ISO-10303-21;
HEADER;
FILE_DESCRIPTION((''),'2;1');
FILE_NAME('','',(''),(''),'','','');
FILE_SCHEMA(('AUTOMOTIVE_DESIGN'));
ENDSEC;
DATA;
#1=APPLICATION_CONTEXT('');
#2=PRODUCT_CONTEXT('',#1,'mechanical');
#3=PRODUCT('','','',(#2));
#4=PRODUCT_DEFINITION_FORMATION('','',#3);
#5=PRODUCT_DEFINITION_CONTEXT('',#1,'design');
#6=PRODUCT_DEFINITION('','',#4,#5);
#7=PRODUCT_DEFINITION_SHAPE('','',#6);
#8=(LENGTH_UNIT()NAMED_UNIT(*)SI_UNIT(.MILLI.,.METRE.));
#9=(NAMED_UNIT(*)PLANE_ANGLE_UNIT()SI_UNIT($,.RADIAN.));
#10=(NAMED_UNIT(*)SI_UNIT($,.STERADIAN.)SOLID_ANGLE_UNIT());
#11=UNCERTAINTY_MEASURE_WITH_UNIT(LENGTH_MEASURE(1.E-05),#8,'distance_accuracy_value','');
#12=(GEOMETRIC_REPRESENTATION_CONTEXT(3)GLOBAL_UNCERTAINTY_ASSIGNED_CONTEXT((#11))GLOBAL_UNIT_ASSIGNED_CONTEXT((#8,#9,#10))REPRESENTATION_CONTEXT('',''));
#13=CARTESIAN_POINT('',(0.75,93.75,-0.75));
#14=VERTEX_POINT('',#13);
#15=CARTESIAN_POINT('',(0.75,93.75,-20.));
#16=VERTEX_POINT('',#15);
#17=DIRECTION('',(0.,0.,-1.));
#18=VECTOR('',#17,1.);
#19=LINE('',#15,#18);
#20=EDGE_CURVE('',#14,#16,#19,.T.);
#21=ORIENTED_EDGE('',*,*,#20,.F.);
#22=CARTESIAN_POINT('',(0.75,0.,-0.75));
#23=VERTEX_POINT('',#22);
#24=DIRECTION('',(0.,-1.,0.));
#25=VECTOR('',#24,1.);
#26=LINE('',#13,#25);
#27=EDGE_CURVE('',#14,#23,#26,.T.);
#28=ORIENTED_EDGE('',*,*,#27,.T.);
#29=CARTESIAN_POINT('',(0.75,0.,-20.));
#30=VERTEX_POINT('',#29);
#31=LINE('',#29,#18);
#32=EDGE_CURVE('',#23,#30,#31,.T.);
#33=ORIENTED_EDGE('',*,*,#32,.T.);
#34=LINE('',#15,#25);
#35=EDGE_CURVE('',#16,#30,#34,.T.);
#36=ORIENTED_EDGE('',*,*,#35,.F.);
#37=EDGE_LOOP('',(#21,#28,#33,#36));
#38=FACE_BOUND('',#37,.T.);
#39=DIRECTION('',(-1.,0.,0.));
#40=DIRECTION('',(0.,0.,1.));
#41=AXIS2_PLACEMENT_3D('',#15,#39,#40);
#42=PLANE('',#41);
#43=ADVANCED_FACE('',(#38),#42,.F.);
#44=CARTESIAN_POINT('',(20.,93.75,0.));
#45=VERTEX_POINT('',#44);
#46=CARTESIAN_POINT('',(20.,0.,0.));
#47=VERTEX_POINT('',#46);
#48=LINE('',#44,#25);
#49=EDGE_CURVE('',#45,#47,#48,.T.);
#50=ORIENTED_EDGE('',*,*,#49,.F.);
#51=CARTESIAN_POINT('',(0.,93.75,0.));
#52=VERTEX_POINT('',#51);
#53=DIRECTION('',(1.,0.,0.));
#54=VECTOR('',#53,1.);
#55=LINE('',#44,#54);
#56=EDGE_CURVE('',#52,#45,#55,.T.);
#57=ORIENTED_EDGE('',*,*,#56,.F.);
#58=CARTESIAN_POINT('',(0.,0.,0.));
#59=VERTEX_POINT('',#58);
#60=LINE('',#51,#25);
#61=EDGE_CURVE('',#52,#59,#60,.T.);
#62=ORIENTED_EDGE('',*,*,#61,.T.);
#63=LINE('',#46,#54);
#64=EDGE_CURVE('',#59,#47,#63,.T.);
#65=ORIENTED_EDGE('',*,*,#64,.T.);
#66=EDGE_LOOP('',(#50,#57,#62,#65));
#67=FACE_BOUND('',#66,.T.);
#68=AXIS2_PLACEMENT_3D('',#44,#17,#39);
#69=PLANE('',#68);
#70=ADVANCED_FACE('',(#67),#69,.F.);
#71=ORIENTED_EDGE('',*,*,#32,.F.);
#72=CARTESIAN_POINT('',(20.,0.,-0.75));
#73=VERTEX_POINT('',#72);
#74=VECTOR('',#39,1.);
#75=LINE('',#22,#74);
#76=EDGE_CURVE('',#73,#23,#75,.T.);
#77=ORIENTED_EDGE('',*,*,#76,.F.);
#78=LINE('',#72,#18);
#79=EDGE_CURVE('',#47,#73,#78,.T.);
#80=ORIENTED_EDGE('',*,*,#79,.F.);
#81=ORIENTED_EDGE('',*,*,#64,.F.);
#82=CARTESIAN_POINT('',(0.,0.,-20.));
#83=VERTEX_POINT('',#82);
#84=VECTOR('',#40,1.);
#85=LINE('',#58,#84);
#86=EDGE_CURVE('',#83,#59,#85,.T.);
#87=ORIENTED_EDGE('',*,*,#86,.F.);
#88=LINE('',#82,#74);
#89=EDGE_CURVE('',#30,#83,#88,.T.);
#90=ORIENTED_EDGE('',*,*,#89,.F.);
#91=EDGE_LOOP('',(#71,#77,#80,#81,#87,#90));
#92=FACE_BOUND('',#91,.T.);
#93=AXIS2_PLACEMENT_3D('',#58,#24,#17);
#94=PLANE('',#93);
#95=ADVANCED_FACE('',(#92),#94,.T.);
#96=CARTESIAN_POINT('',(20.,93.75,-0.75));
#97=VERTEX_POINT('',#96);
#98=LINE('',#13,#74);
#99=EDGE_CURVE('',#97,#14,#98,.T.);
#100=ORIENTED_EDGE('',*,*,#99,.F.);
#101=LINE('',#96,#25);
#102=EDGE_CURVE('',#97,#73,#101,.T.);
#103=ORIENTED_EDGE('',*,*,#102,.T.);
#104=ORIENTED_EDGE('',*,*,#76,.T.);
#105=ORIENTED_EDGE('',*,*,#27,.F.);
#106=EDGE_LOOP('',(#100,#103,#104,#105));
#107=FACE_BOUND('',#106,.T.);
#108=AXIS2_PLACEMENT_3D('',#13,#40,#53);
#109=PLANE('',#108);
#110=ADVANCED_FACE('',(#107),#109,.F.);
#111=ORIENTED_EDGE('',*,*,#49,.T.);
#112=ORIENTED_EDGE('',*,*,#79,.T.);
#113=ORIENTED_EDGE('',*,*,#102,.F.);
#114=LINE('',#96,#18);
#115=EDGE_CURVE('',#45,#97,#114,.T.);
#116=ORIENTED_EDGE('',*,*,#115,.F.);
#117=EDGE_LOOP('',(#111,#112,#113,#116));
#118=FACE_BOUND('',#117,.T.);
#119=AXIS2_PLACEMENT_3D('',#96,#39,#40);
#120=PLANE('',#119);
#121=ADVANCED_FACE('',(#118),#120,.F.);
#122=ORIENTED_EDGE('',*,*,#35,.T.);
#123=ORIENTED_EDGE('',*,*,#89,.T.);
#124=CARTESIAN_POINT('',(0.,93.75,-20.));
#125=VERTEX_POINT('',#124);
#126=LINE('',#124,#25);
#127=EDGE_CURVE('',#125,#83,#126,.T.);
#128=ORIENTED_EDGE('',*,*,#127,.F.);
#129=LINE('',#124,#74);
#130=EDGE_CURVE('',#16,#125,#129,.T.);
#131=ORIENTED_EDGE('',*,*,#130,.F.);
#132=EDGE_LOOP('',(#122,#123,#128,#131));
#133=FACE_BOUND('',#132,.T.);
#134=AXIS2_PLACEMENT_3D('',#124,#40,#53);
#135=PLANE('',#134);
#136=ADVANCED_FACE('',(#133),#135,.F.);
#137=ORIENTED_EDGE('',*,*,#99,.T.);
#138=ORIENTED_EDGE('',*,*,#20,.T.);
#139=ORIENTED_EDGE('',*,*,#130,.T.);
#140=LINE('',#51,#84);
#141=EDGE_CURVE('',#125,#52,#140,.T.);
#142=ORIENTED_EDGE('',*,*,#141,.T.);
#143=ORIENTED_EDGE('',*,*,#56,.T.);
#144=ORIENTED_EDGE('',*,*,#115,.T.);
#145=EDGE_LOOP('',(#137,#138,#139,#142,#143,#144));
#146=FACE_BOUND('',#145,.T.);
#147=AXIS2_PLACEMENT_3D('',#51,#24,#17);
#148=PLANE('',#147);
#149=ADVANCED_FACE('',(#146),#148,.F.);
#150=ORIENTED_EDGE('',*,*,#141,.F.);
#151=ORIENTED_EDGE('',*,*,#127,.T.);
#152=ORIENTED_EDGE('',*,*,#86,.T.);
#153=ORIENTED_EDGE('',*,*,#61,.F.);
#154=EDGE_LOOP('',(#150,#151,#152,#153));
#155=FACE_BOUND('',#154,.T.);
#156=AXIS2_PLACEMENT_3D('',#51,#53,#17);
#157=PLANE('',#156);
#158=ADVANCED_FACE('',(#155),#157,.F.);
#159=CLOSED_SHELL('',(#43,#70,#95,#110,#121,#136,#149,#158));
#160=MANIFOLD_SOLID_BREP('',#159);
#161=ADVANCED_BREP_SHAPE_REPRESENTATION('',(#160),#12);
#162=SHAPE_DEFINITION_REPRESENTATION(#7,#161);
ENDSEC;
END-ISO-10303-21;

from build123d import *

# Parameters (mm, degrees)
EXTRUDE_1_DEPTH = 93.75


with BuildPart() as part:
    # Эскиз1 → Бобышка-Вытянуть1 (new body)
    with BuildSketch(Plane(origin=(0, 0, 0), x_dir=(1, 0, 0), z_dir=(0, 1, 0))):
        Polygon((0, 0), (0, 20), (0.75, 20), (0.75, 0.75), (20, 0.75), (20, 0), align=None)
    extrude(amount=EXTRUDE_1_DEPTH)


solid = part.part
